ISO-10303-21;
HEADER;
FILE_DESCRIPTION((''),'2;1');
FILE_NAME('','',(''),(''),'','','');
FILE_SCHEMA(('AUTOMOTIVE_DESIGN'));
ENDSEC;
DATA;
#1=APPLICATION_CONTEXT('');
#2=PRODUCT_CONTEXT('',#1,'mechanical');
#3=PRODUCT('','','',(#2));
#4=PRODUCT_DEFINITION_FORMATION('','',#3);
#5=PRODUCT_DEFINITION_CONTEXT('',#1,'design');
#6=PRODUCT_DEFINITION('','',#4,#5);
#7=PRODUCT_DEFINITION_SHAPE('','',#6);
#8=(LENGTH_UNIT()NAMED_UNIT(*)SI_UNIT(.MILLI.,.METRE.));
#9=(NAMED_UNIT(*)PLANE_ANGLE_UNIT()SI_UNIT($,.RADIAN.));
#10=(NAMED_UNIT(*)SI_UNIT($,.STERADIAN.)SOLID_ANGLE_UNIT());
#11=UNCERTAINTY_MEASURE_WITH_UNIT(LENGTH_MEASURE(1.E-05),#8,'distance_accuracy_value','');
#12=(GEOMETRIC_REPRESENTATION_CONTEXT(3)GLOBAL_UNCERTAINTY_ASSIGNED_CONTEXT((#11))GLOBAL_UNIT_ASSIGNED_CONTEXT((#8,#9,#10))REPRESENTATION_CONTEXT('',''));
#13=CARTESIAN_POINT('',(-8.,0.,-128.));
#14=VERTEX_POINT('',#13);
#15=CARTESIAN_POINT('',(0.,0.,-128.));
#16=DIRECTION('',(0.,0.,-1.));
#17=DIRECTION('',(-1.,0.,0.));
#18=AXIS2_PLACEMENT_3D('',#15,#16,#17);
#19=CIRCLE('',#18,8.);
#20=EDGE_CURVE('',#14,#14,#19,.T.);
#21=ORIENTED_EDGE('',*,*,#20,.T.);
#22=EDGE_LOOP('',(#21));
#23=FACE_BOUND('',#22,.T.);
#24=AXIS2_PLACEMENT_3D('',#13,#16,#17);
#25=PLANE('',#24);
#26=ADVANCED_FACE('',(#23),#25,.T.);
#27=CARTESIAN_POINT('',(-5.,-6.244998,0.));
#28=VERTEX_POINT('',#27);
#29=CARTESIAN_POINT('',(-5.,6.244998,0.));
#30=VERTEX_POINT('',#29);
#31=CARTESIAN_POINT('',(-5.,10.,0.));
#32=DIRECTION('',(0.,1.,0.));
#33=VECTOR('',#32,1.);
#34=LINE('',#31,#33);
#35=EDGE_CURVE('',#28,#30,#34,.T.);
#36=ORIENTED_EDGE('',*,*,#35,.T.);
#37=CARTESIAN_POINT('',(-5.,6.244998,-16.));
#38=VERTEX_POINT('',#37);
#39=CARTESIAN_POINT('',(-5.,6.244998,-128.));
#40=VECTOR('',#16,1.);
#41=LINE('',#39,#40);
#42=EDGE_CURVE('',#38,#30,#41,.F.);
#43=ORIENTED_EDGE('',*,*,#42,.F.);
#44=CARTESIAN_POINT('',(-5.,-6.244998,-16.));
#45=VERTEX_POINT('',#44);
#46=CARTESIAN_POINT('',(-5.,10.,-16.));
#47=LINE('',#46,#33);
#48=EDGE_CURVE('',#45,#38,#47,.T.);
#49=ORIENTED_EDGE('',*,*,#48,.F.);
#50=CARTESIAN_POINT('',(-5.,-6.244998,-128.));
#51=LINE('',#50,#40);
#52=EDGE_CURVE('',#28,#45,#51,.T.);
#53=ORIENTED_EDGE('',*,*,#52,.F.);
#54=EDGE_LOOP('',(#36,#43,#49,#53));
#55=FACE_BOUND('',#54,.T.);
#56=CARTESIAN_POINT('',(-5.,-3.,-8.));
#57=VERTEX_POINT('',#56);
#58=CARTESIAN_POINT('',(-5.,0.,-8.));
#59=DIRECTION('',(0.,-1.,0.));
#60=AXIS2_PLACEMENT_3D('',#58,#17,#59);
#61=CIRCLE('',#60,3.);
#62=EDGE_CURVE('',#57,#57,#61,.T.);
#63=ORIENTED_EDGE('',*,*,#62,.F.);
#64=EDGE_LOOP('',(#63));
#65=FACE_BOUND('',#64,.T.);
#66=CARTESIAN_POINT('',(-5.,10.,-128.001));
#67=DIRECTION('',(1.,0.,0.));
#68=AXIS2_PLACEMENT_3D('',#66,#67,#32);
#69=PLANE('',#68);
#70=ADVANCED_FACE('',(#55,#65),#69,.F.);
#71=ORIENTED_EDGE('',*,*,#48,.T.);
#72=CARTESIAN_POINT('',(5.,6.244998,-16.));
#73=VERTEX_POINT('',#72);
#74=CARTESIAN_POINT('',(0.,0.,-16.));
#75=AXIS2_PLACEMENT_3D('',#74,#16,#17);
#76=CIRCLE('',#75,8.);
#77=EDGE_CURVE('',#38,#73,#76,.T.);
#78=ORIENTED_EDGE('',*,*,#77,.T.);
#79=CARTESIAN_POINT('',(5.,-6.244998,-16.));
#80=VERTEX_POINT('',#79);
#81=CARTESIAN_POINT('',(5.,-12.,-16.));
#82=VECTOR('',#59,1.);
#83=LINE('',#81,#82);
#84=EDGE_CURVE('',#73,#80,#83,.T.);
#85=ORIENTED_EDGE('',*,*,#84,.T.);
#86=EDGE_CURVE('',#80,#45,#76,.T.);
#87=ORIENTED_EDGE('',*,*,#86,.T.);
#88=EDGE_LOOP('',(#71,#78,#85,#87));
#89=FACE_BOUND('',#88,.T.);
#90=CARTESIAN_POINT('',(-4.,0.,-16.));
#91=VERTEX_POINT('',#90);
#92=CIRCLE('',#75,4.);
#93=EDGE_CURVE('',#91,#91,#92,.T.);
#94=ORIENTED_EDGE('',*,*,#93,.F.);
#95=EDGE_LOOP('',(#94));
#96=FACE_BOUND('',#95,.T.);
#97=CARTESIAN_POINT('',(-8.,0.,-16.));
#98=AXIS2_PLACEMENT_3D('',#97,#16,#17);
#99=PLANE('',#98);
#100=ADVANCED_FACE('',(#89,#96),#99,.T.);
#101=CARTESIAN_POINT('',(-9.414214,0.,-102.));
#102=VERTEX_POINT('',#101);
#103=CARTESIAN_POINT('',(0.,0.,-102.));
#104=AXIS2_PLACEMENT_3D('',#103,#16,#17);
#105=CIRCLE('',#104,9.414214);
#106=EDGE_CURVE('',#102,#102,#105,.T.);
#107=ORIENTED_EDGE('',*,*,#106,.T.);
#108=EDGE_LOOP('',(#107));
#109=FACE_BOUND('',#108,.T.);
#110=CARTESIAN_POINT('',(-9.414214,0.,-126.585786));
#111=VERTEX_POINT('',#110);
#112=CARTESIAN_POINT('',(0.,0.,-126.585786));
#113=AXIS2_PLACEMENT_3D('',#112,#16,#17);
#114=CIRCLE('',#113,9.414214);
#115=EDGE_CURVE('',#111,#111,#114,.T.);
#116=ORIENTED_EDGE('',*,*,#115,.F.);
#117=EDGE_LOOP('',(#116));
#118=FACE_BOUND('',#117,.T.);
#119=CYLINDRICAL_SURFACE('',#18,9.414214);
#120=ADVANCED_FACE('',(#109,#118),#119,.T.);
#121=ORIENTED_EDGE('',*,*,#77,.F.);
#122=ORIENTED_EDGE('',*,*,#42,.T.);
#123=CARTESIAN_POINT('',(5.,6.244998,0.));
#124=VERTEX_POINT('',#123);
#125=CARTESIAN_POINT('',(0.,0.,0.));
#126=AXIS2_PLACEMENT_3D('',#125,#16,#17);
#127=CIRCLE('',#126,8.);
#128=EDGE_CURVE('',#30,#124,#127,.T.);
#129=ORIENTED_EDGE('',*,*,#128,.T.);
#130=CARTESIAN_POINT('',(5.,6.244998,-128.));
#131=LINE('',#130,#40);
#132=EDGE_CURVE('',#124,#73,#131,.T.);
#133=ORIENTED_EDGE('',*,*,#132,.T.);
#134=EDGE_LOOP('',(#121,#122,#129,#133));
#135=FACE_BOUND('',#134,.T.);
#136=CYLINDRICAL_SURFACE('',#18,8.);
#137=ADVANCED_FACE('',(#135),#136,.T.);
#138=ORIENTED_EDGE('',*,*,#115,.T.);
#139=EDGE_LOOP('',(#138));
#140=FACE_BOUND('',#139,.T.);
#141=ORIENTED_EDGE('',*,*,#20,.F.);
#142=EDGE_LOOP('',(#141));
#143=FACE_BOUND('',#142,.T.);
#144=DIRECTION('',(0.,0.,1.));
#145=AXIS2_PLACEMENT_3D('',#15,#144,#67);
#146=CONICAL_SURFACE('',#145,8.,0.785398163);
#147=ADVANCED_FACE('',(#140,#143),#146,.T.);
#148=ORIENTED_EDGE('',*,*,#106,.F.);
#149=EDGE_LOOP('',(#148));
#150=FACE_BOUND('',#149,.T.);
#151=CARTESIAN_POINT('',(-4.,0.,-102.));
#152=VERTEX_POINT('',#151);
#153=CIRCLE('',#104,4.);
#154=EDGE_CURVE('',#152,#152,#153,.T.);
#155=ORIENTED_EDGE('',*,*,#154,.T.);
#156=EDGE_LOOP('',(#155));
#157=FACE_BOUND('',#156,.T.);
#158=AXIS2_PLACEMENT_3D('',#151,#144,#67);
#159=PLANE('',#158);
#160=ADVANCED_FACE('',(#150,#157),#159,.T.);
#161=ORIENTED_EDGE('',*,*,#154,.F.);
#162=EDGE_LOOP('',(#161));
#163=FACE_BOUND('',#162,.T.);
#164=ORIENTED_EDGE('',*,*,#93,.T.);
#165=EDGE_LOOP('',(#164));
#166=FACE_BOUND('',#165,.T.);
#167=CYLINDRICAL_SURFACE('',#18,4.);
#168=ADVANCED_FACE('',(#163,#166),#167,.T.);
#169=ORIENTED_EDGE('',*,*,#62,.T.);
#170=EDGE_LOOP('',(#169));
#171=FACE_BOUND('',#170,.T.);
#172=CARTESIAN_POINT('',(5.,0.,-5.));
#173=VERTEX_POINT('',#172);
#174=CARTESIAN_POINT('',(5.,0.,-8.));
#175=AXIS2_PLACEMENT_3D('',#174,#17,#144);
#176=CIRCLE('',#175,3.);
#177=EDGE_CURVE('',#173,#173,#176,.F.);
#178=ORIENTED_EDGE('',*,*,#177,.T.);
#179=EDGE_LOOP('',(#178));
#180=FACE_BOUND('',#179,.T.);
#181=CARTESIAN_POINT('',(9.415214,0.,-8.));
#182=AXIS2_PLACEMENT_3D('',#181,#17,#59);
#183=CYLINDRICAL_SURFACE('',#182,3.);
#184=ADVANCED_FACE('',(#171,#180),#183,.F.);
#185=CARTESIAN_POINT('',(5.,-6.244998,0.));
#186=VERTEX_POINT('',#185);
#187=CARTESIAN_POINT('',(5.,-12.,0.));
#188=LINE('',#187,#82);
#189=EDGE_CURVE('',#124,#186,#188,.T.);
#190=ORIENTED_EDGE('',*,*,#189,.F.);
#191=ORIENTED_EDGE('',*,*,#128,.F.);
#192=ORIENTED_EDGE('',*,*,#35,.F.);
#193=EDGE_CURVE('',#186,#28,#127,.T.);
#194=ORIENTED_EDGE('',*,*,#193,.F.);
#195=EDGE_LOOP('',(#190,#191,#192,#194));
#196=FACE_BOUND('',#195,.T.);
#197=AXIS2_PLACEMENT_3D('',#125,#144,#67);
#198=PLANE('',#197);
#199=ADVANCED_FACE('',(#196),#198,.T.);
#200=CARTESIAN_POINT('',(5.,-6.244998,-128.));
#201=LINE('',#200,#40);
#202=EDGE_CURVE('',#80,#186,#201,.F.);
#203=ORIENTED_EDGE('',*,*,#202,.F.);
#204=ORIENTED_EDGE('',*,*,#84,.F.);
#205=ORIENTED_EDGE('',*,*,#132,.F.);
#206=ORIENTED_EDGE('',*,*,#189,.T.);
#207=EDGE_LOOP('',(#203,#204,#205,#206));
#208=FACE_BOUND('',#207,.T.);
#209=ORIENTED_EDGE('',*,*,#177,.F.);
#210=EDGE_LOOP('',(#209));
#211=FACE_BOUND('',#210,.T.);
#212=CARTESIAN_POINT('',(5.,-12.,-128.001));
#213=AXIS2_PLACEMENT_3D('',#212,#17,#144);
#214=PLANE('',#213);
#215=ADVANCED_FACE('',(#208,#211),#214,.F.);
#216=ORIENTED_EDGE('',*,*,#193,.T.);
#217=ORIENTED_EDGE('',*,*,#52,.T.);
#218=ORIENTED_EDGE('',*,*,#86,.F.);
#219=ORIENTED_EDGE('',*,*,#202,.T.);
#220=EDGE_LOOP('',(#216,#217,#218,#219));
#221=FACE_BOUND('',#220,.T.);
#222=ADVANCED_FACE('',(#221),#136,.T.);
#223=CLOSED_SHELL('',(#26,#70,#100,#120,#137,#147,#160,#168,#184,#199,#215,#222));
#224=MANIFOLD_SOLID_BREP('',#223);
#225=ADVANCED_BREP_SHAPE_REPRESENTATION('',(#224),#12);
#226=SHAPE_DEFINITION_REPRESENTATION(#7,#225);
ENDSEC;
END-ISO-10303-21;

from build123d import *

# Parameters (mm, degrees)
ENL_V_START             = -16
ENL_V_MAT_EXTRU_1_DEPTH = 16
ENL_V_MAT_EXTRU_2_REACH = 131.153
ESQUISSE3_R             = 3


with BuildPart() as part:
    # Esquisse1 → Révolution1 (revolve)
    with BuildSketch(Plane(origin=(0, 0, 0), x_dir=(1, 0, 0), z_dir=(0, 1, 0))):
        Polygon((0, 0), (-8, 0), (-8, 16), (-4, 16), (-4, 102), (-9.414213562, 102), (-9.414213562, 126.585786438), (-8, 128), (0, 128), align=None)
    revolve(axis=Axis((0, 0, -128), (0, 0, 1)))

    # Esquisse2 → Enlèv. mat.-Extru.1 (cut)
    with BuildSketch(Plane.XY.offset(ENL_V_START)):
        Polygon((-5, 10), (-5, -12), (5, -12), (5, 10), (12, 10), (12, -15), (-12, -15), (-12, 10), align=None)
    extrude(amount=ENL_V_MAT_EXTRU_1_DEPTH, mode=Mode.SUBTRACT)

    # Esquisse3 → Enlèv. mat.-Extru.2 (cut, up to next)
    with BuildSketch(Plane.ZY.offset(5), mode=Mode.PRIVATE) as enl_v_mat_extru_2_sk1:
        with Locations(Location((-8, 0, 0), (0, 0, 270))):
            Circle(ESQUISSE3_R)
    enl_v_mat_extru_2_tool1 = extrude(enl_v_mat_extru_2_sk1.sketch, amount=-ENL_V_MAT_EXTRU_2_REACH, mode=Mode.PRIVATE) & part.part
    add(enl_v_mat_extru_2_tool1.solids().sort_by_distance((-5, 0, -8))[0], mode=Mode.SUBTRACT)


solid = part.part
